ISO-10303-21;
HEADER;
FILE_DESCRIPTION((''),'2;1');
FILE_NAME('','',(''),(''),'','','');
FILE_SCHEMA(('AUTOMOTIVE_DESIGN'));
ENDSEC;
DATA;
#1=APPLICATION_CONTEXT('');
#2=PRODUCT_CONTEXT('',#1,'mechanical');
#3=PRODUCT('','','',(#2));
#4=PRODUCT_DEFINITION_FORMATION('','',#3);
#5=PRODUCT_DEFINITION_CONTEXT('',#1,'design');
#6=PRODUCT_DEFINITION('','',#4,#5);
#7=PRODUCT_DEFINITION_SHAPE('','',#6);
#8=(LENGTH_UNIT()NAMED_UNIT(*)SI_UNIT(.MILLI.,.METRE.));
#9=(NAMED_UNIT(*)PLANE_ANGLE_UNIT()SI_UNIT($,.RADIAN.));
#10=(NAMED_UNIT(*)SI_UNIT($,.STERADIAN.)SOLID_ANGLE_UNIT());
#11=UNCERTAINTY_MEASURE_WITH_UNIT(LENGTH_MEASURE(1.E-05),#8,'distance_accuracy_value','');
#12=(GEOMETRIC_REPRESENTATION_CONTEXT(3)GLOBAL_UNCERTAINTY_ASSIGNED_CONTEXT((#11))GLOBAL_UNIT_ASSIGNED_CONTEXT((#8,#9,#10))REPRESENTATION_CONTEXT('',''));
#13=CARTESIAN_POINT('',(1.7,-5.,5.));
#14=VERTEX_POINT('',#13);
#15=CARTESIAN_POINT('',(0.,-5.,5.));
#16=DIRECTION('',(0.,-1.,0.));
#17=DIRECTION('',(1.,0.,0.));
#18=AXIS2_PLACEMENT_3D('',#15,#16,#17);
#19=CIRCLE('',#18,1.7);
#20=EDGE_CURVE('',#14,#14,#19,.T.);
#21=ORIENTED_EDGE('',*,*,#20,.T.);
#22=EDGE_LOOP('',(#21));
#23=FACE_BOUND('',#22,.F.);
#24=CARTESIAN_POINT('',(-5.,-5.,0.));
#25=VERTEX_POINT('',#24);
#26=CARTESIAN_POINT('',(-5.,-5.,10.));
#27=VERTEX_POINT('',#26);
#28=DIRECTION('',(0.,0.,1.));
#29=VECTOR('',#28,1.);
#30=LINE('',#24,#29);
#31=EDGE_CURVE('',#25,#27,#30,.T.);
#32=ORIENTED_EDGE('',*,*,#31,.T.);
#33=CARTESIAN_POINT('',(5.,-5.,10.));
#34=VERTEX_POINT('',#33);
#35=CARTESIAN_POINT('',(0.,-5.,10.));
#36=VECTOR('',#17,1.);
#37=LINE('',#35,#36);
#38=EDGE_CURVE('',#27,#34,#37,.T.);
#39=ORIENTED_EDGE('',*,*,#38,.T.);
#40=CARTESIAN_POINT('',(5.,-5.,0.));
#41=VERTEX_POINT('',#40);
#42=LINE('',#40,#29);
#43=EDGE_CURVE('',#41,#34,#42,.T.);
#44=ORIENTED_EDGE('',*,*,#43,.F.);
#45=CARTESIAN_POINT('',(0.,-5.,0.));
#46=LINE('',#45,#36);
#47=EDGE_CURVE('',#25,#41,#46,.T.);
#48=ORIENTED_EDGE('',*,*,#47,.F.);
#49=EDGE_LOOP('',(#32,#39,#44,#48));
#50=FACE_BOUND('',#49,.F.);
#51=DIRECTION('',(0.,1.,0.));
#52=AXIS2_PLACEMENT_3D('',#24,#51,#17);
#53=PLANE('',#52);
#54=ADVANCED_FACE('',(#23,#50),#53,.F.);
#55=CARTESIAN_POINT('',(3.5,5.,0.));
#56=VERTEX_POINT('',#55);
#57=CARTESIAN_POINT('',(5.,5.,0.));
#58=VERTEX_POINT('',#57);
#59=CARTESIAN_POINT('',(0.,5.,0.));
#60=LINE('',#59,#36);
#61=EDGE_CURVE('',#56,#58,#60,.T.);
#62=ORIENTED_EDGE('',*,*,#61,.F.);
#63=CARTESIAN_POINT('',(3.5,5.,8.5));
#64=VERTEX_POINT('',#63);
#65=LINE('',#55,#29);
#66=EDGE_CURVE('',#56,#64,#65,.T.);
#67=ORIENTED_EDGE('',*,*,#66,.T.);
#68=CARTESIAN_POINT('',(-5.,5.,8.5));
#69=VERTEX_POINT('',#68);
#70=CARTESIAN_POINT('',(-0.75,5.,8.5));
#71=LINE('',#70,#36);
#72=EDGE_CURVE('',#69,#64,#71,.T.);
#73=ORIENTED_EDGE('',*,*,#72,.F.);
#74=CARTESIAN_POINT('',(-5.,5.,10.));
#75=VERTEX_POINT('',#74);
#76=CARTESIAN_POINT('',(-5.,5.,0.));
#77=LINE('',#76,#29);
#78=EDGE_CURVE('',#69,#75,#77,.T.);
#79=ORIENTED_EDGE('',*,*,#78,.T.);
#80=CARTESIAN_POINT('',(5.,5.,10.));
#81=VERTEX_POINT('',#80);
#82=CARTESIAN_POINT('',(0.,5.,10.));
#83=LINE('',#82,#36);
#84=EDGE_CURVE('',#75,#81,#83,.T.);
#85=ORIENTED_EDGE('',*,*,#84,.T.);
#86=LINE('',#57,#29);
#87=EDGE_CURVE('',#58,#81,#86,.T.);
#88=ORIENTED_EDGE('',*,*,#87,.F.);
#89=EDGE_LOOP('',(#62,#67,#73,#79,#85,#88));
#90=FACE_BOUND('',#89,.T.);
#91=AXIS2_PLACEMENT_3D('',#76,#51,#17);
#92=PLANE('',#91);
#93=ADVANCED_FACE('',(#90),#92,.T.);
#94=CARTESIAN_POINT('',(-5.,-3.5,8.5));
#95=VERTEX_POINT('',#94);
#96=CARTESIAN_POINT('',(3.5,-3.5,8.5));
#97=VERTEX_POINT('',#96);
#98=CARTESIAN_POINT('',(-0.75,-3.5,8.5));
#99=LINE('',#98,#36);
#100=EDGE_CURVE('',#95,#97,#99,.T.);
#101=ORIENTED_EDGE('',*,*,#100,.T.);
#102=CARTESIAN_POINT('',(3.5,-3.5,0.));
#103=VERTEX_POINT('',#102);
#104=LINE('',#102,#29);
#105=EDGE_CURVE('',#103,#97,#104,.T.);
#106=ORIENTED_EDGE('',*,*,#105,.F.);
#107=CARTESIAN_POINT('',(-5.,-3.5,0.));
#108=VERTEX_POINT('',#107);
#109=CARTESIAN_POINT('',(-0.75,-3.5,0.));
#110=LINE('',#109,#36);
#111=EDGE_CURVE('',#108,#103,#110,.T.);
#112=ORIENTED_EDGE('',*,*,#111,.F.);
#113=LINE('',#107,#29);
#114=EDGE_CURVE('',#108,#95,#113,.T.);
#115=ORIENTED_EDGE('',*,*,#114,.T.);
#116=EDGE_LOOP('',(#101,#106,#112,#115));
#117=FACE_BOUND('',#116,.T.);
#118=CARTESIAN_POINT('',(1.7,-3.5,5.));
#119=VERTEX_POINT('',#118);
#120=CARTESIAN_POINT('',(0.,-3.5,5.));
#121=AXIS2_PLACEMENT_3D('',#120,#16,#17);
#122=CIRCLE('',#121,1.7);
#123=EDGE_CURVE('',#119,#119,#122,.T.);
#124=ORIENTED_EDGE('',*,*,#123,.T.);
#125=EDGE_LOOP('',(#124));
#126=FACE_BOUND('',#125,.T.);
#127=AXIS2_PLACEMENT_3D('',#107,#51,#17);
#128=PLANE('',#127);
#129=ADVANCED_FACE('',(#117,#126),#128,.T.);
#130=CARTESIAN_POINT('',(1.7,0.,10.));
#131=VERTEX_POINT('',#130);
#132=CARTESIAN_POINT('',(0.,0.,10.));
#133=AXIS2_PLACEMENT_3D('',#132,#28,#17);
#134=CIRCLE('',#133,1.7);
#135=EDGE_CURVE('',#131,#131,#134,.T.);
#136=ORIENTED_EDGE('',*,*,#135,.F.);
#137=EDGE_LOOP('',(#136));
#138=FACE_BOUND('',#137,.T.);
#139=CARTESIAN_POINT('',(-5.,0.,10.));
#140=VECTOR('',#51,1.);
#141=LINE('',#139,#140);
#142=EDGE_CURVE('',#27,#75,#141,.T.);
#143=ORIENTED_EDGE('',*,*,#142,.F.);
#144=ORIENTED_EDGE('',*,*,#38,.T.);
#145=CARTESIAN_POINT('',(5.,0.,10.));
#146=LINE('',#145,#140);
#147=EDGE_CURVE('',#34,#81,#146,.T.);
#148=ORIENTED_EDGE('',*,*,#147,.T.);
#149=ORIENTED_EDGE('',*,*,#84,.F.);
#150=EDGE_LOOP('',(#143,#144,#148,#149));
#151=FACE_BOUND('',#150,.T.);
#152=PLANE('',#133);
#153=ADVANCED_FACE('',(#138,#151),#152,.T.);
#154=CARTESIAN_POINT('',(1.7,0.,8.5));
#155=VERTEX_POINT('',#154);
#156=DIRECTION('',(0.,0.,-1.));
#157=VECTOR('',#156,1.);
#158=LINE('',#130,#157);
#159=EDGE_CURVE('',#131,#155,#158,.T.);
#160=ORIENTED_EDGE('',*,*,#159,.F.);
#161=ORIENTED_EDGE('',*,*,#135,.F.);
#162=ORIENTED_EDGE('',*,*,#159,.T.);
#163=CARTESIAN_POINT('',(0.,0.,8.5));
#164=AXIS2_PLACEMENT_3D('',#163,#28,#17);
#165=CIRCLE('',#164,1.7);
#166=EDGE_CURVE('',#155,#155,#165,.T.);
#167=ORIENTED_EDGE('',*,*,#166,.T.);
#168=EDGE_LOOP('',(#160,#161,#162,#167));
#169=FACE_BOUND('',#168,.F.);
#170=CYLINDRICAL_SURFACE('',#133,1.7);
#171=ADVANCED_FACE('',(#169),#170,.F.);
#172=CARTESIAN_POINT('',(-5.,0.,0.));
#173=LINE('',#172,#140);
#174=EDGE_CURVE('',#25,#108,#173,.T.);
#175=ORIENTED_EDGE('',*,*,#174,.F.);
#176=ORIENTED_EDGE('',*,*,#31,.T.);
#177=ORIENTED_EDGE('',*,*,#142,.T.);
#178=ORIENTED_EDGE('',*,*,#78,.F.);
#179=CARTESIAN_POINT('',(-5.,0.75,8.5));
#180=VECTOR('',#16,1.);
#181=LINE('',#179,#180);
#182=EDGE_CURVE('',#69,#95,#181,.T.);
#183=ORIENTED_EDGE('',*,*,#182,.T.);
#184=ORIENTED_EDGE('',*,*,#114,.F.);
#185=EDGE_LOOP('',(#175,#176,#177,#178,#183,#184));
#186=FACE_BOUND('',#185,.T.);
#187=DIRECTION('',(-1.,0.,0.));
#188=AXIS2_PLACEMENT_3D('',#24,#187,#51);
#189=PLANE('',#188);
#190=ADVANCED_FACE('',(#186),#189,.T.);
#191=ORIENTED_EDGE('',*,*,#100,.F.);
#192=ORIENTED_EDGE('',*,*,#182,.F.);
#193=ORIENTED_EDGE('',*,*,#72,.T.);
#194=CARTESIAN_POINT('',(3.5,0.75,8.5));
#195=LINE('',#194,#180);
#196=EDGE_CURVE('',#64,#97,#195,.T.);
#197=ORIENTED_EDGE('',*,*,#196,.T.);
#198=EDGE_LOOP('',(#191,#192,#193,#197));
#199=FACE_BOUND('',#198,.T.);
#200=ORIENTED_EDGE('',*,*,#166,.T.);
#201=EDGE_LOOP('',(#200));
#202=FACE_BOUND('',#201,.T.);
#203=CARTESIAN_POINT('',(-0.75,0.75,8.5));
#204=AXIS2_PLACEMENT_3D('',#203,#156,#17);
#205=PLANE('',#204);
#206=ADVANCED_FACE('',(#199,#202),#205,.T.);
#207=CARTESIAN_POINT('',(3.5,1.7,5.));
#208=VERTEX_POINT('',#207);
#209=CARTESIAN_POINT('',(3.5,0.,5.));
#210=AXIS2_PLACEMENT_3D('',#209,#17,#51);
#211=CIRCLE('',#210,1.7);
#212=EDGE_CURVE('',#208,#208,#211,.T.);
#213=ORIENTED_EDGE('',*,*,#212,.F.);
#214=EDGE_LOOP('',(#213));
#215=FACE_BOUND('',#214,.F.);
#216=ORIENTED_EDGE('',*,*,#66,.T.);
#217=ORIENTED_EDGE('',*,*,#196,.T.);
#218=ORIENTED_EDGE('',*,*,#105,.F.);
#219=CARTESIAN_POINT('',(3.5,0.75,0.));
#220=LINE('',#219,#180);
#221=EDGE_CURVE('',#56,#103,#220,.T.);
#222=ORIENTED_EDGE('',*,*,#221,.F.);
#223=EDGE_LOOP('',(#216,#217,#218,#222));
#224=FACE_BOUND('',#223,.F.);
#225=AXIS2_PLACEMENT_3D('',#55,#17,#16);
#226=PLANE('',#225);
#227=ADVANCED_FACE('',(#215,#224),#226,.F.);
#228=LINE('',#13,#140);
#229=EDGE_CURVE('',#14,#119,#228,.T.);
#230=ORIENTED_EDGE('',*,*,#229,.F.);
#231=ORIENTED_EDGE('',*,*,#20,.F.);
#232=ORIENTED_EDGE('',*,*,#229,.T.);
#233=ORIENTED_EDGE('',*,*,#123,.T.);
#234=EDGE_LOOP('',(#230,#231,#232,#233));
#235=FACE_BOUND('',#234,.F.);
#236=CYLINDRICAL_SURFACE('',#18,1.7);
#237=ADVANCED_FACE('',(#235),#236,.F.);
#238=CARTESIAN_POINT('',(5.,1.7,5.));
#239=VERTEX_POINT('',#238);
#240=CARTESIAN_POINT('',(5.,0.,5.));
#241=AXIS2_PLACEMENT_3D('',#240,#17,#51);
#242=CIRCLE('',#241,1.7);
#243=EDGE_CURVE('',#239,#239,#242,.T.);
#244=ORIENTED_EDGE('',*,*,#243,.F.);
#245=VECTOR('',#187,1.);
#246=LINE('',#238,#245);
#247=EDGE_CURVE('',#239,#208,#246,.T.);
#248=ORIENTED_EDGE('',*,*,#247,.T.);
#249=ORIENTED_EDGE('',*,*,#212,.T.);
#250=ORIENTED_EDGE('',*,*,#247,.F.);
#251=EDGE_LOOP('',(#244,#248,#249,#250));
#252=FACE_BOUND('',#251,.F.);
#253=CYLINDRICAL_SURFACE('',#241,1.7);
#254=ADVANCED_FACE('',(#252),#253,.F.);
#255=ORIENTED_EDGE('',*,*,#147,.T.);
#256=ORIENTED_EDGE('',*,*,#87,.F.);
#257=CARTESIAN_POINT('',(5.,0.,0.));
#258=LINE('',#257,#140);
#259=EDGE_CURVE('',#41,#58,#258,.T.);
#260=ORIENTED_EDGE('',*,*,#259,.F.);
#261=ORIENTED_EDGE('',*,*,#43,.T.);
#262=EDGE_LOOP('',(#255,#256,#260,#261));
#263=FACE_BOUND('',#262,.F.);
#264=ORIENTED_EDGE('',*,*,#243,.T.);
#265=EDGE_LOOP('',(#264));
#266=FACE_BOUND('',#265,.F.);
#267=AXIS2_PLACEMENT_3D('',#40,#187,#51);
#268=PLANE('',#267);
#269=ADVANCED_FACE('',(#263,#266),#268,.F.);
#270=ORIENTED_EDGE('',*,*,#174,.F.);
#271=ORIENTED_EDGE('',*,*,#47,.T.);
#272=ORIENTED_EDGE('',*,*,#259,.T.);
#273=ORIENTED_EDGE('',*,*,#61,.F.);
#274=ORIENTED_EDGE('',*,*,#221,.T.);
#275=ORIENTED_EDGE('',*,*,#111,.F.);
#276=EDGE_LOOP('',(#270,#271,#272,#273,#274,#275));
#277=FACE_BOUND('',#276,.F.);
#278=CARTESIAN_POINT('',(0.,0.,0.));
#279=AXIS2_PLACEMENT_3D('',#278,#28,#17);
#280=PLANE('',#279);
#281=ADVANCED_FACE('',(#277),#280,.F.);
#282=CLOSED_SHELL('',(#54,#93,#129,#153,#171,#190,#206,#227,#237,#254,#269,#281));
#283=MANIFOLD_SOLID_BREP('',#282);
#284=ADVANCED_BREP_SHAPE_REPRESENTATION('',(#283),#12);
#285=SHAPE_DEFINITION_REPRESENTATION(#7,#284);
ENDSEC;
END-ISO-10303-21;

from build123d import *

# Parameters (mm, degrees)
F0_W     = 10
F0_H     = 10
F1_DEPTH = 10
F2_W     = 8.5
F2_H     = 8.5
F3_DEPTH = 8.5
F4_R     = 1.7
F5_DEPTH = 25
F6_R     = 1.7
F7_DEPTH = 25
F8_R     = 1.7
F9_DEPTH = 25


with BuildPart() as f1:
    # F0 (on Top) → F1 (new body)
    with BuildSketch(Plane.XY):
        Rectangle(F0_W, F0_H)
    extrude(amount=F1_DEPTH)

    # F2 (on face) → F3 (cut)
    with BuildSketch(Plane(origin=(0, 0, 0), x_dir=(1, 0, 0), z_dir=(0, 0, -1))):
        with Locations((-0.75, -0.75)):
            Rectangle(F2_W, F2_H)
    extrude(amount=-F3_DEPTH, mode=Mode.SUBTRACT)

    # F4 (on face) → F5 (cut)
    with BuildSketch(Plane.YZ.offset(5)):
        with Locations((0, 5)):
            Circle(F4_R)
    extrude(amount=-F5_DEPTH, mode=Mode.SUBTRACT)

    # F6 (on face) → F7 (cut)
    with BuildSketch(Plane.XY.offset(10)):
        Circle(F6_R)
    extrude(amount=-F7_DEPTH, mode=Mode.SUBTRACT)

    # F8 (on face) → F9 (cut)
    with BuildSketch(Plane.XZ.offset(5)):
        with Locations((0, 5)):
            Circle(F8_R)
    extrude(amount=-F9_DEPTH, mode=Mode.SUBTRACT)


solid = f1.part
